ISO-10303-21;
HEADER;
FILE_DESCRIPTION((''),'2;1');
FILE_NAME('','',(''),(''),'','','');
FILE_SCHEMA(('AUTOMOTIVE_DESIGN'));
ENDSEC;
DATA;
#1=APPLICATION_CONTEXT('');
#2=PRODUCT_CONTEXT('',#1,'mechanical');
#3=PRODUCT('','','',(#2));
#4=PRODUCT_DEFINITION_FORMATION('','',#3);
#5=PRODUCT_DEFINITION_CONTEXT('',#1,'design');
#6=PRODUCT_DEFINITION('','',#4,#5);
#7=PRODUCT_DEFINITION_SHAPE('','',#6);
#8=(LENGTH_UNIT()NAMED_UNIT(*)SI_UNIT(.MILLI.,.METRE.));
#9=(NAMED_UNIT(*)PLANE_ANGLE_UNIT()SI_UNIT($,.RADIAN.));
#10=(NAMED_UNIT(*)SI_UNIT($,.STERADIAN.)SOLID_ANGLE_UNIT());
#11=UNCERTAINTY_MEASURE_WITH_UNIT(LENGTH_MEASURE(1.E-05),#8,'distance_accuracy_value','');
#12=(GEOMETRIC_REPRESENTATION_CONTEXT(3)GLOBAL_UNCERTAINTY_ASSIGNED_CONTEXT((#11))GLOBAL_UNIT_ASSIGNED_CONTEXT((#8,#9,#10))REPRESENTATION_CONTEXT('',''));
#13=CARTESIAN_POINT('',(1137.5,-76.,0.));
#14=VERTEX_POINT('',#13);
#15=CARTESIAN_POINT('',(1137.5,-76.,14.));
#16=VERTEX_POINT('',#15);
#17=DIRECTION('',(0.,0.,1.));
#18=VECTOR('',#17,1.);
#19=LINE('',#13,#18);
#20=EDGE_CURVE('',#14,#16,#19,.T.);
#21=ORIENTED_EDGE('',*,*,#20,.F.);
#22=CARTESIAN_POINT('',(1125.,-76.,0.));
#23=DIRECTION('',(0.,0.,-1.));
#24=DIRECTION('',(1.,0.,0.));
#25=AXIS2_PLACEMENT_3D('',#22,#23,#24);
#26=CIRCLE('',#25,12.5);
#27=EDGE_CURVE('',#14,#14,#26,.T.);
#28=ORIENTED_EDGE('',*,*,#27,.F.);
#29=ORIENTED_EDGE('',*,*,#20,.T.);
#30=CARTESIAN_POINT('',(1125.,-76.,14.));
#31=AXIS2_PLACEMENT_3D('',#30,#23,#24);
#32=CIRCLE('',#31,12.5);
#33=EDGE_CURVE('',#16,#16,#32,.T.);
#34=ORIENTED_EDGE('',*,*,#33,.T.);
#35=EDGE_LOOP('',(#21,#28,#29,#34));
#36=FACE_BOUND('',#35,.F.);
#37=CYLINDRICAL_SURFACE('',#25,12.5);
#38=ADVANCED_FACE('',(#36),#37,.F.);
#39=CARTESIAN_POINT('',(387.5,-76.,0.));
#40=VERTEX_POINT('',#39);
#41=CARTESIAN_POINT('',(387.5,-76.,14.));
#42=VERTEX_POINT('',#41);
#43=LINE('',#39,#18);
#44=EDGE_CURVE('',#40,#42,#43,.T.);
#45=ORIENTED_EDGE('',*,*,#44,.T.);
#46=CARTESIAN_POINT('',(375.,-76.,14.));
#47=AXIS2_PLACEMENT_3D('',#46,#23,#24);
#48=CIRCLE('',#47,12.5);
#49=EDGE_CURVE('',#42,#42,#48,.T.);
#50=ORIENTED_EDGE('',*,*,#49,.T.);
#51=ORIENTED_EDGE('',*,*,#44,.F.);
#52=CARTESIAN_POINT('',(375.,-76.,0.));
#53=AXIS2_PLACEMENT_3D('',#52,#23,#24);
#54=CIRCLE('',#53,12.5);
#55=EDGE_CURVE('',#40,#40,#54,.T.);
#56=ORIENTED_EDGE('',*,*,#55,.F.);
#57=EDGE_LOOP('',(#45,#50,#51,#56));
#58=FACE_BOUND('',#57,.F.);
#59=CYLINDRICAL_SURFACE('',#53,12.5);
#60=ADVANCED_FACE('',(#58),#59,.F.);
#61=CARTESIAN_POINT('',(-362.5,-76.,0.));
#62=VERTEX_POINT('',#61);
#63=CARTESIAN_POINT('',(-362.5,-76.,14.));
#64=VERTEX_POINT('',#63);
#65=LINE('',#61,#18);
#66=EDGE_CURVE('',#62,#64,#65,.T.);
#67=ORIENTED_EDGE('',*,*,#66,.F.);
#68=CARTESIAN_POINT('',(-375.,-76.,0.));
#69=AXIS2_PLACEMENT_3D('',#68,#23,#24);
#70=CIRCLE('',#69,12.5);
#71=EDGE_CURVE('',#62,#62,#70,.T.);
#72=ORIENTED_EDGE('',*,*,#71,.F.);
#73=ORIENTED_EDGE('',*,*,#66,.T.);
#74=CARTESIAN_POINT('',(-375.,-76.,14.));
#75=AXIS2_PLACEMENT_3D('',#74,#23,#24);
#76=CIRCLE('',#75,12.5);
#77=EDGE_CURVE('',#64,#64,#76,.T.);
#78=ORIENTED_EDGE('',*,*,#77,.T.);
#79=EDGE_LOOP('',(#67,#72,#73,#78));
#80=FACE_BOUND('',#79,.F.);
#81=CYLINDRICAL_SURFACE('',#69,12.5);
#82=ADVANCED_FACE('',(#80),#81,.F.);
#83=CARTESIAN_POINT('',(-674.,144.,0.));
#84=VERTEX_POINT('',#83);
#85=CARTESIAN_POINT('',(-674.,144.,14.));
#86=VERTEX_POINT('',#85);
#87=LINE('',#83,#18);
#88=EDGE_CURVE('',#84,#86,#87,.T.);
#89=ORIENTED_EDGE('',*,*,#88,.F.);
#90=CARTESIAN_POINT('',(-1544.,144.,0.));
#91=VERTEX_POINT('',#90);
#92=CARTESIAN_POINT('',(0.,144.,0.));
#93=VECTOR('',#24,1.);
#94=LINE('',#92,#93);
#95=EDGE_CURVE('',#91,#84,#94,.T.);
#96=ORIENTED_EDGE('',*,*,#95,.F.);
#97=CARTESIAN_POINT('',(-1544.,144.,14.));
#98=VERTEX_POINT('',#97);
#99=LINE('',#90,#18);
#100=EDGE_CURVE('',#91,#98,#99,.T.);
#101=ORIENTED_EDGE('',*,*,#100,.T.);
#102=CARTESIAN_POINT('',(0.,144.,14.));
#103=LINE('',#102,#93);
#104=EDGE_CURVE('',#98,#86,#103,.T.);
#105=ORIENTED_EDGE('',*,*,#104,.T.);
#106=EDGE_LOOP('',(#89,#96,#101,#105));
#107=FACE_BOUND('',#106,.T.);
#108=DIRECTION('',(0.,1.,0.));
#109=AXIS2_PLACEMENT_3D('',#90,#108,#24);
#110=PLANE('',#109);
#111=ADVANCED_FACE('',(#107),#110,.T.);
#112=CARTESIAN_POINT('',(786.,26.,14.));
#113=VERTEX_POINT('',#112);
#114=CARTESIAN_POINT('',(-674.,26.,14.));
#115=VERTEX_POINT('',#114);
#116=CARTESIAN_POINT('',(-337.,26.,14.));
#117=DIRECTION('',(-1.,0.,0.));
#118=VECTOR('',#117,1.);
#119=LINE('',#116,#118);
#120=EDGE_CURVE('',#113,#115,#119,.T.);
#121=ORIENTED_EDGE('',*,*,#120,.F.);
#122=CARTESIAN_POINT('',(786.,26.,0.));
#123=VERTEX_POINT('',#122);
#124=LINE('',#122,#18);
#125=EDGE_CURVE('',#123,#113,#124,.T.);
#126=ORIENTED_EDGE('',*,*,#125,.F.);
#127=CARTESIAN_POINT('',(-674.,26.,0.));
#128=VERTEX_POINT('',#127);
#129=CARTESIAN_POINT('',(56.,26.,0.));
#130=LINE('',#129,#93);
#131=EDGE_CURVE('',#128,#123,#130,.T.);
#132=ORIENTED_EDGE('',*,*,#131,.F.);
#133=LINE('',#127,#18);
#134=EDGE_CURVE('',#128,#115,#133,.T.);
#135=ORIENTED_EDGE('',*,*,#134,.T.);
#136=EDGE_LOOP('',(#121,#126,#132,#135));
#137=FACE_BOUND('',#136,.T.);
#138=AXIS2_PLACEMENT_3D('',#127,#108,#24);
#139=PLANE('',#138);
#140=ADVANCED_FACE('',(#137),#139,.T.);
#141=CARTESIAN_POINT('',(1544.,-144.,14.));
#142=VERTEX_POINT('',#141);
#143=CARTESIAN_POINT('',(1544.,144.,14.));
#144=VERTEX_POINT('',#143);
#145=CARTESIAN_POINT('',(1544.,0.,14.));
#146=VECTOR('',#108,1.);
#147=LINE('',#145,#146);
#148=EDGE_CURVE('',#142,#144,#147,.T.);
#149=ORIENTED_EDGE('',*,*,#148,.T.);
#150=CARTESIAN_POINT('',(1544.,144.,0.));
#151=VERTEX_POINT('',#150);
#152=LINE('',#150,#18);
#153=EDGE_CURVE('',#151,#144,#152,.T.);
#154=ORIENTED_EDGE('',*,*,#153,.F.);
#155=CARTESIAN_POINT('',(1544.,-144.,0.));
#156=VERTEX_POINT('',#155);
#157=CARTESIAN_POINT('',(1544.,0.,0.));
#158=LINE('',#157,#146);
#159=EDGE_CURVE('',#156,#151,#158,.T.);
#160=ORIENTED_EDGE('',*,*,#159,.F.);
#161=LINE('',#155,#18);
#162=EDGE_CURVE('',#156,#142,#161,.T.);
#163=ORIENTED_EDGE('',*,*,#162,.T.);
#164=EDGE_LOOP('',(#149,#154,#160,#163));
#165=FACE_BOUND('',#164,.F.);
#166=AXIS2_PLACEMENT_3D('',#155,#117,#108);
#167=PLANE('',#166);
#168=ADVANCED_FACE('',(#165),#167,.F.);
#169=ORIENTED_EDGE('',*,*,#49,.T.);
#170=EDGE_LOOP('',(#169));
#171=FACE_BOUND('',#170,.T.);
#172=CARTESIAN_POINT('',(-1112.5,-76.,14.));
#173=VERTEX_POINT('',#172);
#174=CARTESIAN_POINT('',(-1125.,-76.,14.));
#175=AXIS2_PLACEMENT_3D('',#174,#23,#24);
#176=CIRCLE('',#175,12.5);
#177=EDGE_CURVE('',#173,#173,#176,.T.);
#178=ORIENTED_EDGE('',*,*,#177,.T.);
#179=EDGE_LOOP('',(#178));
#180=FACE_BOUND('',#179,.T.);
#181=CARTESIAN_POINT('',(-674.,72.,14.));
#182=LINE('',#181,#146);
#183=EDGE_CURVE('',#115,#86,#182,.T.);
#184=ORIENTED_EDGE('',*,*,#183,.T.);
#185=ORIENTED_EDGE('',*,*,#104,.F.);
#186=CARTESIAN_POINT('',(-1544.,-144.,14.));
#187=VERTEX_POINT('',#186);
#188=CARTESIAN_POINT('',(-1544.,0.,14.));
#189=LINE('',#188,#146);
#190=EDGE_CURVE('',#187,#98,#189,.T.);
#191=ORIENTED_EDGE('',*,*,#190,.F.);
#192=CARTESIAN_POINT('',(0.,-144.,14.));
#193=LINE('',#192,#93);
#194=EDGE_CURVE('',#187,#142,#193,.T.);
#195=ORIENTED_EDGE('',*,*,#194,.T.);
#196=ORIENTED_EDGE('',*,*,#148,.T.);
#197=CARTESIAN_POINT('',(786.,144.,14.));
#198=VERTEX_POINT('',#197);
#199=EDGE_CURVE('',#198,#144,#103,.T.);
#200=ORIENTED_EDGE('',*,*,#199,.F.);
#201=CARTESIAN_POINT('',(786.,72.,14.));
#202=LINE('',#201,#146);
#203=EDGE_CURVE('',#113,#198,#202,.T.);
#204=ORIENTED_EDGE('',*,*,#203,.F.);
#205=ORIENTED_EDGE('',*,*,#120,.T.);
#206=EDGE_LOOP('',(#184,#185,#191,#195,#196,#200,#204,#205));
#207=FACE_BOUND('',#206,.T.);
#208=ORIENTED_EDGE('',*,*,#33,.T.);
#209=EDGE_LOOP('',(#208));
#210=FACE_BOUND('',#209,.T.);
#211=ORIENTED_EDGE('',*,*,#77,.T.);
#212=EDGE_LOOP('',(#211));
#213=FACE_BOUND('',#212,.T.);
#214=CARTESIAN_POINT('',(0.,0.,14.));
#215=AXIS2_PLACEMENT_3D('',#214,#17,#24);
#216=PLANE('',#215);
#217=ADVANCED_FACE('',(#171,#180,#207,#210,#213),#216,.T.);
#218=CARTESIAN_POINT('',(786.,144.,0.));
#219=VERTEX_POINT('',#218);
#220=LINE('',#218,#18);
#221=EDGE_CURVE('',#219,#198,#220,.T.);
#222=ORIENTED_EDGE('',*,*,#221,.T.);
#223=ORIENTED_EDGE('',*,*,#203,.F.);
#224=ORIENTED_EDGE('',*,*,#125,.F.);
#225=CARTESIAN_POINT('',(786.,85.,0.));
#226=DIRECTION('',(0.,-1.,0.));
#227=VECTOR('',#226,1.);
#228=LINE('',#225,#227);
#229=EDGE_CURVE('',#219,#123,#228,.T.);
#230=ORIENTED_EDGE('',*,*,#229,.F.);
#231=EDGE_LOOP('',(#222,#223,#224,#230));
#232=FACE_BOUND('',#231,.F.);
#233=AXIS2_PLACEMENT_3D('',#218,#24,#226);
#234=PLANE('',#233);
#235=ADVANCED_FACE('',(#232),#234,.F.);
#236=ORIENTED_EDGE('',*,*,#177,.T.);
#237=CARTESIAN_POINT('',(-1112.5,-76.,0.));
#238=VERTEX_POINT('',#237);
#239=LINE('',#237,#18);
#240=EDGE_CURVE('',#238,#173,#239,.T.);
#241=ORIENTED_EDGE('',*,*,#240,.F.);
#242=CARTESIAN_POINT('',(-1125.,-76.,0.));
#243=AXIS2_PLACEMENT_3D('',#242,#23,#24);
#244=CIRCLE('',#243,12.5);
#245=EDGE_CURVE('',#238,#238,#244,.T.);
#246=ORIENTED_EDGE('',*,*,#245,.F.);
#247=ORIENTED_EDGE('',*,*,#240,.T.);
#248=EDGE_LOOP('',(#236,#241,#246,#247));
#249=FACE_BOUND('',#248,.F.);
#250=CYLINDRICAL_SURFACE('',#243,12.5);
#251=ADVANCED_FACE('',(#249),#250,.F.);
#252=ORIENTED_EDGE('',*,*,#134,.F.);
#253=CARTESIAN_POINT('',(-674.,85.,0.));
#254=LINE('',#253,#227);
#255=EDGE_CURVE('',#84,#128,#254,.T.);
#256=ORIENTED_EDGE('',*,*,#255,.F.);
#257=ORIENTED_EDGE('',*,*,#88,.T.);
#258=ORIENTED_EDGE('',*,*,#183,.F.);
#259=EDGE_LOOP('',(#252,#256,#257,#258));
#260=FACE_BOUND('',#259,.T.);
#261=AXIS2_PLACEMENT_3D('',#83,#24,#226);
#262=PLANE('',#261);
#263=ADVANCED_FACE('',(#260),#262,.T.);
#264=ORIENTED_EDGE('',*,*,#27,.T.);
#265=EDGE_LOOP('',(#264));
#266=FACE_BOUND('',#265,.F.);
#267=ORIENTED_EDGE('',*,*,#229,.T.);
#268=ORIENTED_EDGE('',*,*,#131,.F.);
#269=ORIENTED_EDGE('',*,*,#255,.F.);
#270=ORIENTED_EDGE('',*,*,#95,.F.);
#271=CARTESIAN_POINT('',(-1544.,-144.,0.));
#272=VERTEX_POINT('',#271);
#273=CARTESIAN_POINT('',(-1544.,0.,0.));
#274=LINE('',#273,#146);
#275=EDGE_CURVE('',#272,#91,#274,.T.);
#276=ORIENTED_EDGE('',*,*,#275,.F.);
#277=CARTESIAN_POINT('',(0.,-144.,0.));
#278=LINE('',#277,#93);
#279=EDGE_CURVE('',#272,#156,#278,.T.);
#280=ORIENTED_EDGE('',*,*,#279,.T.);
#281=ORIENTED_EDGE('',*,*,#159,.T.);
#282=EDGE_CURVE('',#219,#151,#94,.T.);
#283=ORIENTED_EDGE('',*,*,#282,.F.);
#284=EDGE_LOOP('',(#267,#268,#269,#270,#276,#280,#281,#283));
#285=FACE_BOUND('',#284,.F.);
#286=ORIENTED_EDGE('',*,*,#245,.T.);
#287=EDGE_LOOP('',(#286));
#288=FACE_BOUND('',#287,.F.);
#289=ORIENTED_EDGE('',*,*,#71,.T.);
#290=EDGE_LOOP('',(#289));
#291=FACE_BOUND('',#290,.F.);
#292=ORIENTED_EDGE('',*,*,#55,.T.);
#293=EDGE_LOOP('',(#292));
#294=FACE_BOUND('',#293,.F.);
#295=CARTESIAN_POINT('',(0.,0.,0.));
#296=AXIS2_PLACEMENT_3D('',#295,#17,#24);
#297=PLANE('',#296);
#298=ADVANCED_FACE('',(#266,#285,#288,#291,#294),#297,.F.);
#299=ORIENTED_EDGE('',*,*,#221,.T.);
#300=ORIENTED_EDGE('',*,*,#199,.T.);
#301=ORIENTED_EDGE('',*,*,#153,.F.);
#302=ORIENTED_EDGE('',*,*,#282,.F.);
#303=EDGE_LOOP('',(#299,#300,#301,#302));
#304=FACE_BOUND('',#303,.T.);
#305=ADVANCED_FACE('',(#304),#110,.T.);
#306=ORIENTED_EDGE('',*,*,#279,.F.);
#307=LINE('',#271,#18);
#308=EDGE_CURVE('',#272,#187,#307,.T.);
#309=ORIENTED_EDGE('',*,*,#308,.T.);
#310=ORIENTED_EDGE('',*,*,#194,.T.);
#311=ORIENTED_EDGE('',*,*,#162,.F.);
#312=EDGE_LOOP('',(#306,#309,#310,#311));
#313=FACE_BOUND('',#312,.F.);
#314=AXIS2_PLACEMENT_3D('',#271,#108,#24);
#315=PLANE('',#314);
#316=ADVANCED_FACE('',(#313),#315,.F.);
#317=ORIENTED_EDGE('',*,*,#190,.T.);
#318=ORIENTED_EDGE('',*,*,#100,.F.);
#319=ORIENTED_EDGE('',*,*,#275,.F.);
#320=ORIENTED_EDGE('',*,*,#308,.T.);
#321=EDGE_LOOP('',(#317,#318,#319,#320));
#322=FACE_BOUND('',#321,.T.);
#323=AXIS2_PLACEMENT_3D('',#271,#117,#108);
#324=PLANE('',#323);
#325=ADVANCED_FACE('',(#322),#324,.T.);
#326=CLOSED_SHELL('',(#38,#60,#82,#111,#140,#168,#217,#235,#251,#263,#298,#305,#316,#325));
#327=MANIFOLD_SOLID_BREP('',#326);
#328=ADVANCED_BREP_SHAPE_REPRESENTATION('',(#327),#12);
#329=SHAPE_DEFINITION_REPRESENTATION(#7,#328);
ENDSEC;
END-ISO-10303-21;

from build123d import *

# Parameters (mm, degrees)
F0_W     = 3088
F0_H     = 288
F1_DEPTH = 14
F2_W     = 1460
F2_H     = 118
F3_DEPTH = 14.001
F4_R     = 12.5
F5_DEPTH = 25


with BuildPart() as f1:
    # F0 (on Top) → F1 (new body)
    with BuildSketch(Plane.XY):
        Rectangle(F0_W, F0_H)
    extrude(amount=F1_DEPTH)

    # F2 (on face) → F3 (cut, through all)
    with BuildSketch(Plane(origin=(0, 0, 0), x_dir=(1, 0, 0), z_dir=(0, 0, -1))):
        with Locations((56, -85)):
            Rectangle(F2_W, F2_H)
    extrude(amount=-F3_DEPTH, mode=Mode.SUBTRACT)

    # F4 (on face) → F5 (cut)
    with BuildSketch(Plane(origin=(0, 0, 0), x_dir=(1, 0, 0), z_dir=(0, 0, -1))):
        with Locations((-1125, 76)):
            Circle(F4_R)
        with Locations((-375, 76)):
            Circle(F4_R)
        with Locations((375, 76)):
            Circle(F4_R)
        with Locations((1125, 76)):
            Circle(F4_R)
    extrude(amount=-F5_DEPTH, mode=Mode.SUBTRACT)


solid = f1.part
